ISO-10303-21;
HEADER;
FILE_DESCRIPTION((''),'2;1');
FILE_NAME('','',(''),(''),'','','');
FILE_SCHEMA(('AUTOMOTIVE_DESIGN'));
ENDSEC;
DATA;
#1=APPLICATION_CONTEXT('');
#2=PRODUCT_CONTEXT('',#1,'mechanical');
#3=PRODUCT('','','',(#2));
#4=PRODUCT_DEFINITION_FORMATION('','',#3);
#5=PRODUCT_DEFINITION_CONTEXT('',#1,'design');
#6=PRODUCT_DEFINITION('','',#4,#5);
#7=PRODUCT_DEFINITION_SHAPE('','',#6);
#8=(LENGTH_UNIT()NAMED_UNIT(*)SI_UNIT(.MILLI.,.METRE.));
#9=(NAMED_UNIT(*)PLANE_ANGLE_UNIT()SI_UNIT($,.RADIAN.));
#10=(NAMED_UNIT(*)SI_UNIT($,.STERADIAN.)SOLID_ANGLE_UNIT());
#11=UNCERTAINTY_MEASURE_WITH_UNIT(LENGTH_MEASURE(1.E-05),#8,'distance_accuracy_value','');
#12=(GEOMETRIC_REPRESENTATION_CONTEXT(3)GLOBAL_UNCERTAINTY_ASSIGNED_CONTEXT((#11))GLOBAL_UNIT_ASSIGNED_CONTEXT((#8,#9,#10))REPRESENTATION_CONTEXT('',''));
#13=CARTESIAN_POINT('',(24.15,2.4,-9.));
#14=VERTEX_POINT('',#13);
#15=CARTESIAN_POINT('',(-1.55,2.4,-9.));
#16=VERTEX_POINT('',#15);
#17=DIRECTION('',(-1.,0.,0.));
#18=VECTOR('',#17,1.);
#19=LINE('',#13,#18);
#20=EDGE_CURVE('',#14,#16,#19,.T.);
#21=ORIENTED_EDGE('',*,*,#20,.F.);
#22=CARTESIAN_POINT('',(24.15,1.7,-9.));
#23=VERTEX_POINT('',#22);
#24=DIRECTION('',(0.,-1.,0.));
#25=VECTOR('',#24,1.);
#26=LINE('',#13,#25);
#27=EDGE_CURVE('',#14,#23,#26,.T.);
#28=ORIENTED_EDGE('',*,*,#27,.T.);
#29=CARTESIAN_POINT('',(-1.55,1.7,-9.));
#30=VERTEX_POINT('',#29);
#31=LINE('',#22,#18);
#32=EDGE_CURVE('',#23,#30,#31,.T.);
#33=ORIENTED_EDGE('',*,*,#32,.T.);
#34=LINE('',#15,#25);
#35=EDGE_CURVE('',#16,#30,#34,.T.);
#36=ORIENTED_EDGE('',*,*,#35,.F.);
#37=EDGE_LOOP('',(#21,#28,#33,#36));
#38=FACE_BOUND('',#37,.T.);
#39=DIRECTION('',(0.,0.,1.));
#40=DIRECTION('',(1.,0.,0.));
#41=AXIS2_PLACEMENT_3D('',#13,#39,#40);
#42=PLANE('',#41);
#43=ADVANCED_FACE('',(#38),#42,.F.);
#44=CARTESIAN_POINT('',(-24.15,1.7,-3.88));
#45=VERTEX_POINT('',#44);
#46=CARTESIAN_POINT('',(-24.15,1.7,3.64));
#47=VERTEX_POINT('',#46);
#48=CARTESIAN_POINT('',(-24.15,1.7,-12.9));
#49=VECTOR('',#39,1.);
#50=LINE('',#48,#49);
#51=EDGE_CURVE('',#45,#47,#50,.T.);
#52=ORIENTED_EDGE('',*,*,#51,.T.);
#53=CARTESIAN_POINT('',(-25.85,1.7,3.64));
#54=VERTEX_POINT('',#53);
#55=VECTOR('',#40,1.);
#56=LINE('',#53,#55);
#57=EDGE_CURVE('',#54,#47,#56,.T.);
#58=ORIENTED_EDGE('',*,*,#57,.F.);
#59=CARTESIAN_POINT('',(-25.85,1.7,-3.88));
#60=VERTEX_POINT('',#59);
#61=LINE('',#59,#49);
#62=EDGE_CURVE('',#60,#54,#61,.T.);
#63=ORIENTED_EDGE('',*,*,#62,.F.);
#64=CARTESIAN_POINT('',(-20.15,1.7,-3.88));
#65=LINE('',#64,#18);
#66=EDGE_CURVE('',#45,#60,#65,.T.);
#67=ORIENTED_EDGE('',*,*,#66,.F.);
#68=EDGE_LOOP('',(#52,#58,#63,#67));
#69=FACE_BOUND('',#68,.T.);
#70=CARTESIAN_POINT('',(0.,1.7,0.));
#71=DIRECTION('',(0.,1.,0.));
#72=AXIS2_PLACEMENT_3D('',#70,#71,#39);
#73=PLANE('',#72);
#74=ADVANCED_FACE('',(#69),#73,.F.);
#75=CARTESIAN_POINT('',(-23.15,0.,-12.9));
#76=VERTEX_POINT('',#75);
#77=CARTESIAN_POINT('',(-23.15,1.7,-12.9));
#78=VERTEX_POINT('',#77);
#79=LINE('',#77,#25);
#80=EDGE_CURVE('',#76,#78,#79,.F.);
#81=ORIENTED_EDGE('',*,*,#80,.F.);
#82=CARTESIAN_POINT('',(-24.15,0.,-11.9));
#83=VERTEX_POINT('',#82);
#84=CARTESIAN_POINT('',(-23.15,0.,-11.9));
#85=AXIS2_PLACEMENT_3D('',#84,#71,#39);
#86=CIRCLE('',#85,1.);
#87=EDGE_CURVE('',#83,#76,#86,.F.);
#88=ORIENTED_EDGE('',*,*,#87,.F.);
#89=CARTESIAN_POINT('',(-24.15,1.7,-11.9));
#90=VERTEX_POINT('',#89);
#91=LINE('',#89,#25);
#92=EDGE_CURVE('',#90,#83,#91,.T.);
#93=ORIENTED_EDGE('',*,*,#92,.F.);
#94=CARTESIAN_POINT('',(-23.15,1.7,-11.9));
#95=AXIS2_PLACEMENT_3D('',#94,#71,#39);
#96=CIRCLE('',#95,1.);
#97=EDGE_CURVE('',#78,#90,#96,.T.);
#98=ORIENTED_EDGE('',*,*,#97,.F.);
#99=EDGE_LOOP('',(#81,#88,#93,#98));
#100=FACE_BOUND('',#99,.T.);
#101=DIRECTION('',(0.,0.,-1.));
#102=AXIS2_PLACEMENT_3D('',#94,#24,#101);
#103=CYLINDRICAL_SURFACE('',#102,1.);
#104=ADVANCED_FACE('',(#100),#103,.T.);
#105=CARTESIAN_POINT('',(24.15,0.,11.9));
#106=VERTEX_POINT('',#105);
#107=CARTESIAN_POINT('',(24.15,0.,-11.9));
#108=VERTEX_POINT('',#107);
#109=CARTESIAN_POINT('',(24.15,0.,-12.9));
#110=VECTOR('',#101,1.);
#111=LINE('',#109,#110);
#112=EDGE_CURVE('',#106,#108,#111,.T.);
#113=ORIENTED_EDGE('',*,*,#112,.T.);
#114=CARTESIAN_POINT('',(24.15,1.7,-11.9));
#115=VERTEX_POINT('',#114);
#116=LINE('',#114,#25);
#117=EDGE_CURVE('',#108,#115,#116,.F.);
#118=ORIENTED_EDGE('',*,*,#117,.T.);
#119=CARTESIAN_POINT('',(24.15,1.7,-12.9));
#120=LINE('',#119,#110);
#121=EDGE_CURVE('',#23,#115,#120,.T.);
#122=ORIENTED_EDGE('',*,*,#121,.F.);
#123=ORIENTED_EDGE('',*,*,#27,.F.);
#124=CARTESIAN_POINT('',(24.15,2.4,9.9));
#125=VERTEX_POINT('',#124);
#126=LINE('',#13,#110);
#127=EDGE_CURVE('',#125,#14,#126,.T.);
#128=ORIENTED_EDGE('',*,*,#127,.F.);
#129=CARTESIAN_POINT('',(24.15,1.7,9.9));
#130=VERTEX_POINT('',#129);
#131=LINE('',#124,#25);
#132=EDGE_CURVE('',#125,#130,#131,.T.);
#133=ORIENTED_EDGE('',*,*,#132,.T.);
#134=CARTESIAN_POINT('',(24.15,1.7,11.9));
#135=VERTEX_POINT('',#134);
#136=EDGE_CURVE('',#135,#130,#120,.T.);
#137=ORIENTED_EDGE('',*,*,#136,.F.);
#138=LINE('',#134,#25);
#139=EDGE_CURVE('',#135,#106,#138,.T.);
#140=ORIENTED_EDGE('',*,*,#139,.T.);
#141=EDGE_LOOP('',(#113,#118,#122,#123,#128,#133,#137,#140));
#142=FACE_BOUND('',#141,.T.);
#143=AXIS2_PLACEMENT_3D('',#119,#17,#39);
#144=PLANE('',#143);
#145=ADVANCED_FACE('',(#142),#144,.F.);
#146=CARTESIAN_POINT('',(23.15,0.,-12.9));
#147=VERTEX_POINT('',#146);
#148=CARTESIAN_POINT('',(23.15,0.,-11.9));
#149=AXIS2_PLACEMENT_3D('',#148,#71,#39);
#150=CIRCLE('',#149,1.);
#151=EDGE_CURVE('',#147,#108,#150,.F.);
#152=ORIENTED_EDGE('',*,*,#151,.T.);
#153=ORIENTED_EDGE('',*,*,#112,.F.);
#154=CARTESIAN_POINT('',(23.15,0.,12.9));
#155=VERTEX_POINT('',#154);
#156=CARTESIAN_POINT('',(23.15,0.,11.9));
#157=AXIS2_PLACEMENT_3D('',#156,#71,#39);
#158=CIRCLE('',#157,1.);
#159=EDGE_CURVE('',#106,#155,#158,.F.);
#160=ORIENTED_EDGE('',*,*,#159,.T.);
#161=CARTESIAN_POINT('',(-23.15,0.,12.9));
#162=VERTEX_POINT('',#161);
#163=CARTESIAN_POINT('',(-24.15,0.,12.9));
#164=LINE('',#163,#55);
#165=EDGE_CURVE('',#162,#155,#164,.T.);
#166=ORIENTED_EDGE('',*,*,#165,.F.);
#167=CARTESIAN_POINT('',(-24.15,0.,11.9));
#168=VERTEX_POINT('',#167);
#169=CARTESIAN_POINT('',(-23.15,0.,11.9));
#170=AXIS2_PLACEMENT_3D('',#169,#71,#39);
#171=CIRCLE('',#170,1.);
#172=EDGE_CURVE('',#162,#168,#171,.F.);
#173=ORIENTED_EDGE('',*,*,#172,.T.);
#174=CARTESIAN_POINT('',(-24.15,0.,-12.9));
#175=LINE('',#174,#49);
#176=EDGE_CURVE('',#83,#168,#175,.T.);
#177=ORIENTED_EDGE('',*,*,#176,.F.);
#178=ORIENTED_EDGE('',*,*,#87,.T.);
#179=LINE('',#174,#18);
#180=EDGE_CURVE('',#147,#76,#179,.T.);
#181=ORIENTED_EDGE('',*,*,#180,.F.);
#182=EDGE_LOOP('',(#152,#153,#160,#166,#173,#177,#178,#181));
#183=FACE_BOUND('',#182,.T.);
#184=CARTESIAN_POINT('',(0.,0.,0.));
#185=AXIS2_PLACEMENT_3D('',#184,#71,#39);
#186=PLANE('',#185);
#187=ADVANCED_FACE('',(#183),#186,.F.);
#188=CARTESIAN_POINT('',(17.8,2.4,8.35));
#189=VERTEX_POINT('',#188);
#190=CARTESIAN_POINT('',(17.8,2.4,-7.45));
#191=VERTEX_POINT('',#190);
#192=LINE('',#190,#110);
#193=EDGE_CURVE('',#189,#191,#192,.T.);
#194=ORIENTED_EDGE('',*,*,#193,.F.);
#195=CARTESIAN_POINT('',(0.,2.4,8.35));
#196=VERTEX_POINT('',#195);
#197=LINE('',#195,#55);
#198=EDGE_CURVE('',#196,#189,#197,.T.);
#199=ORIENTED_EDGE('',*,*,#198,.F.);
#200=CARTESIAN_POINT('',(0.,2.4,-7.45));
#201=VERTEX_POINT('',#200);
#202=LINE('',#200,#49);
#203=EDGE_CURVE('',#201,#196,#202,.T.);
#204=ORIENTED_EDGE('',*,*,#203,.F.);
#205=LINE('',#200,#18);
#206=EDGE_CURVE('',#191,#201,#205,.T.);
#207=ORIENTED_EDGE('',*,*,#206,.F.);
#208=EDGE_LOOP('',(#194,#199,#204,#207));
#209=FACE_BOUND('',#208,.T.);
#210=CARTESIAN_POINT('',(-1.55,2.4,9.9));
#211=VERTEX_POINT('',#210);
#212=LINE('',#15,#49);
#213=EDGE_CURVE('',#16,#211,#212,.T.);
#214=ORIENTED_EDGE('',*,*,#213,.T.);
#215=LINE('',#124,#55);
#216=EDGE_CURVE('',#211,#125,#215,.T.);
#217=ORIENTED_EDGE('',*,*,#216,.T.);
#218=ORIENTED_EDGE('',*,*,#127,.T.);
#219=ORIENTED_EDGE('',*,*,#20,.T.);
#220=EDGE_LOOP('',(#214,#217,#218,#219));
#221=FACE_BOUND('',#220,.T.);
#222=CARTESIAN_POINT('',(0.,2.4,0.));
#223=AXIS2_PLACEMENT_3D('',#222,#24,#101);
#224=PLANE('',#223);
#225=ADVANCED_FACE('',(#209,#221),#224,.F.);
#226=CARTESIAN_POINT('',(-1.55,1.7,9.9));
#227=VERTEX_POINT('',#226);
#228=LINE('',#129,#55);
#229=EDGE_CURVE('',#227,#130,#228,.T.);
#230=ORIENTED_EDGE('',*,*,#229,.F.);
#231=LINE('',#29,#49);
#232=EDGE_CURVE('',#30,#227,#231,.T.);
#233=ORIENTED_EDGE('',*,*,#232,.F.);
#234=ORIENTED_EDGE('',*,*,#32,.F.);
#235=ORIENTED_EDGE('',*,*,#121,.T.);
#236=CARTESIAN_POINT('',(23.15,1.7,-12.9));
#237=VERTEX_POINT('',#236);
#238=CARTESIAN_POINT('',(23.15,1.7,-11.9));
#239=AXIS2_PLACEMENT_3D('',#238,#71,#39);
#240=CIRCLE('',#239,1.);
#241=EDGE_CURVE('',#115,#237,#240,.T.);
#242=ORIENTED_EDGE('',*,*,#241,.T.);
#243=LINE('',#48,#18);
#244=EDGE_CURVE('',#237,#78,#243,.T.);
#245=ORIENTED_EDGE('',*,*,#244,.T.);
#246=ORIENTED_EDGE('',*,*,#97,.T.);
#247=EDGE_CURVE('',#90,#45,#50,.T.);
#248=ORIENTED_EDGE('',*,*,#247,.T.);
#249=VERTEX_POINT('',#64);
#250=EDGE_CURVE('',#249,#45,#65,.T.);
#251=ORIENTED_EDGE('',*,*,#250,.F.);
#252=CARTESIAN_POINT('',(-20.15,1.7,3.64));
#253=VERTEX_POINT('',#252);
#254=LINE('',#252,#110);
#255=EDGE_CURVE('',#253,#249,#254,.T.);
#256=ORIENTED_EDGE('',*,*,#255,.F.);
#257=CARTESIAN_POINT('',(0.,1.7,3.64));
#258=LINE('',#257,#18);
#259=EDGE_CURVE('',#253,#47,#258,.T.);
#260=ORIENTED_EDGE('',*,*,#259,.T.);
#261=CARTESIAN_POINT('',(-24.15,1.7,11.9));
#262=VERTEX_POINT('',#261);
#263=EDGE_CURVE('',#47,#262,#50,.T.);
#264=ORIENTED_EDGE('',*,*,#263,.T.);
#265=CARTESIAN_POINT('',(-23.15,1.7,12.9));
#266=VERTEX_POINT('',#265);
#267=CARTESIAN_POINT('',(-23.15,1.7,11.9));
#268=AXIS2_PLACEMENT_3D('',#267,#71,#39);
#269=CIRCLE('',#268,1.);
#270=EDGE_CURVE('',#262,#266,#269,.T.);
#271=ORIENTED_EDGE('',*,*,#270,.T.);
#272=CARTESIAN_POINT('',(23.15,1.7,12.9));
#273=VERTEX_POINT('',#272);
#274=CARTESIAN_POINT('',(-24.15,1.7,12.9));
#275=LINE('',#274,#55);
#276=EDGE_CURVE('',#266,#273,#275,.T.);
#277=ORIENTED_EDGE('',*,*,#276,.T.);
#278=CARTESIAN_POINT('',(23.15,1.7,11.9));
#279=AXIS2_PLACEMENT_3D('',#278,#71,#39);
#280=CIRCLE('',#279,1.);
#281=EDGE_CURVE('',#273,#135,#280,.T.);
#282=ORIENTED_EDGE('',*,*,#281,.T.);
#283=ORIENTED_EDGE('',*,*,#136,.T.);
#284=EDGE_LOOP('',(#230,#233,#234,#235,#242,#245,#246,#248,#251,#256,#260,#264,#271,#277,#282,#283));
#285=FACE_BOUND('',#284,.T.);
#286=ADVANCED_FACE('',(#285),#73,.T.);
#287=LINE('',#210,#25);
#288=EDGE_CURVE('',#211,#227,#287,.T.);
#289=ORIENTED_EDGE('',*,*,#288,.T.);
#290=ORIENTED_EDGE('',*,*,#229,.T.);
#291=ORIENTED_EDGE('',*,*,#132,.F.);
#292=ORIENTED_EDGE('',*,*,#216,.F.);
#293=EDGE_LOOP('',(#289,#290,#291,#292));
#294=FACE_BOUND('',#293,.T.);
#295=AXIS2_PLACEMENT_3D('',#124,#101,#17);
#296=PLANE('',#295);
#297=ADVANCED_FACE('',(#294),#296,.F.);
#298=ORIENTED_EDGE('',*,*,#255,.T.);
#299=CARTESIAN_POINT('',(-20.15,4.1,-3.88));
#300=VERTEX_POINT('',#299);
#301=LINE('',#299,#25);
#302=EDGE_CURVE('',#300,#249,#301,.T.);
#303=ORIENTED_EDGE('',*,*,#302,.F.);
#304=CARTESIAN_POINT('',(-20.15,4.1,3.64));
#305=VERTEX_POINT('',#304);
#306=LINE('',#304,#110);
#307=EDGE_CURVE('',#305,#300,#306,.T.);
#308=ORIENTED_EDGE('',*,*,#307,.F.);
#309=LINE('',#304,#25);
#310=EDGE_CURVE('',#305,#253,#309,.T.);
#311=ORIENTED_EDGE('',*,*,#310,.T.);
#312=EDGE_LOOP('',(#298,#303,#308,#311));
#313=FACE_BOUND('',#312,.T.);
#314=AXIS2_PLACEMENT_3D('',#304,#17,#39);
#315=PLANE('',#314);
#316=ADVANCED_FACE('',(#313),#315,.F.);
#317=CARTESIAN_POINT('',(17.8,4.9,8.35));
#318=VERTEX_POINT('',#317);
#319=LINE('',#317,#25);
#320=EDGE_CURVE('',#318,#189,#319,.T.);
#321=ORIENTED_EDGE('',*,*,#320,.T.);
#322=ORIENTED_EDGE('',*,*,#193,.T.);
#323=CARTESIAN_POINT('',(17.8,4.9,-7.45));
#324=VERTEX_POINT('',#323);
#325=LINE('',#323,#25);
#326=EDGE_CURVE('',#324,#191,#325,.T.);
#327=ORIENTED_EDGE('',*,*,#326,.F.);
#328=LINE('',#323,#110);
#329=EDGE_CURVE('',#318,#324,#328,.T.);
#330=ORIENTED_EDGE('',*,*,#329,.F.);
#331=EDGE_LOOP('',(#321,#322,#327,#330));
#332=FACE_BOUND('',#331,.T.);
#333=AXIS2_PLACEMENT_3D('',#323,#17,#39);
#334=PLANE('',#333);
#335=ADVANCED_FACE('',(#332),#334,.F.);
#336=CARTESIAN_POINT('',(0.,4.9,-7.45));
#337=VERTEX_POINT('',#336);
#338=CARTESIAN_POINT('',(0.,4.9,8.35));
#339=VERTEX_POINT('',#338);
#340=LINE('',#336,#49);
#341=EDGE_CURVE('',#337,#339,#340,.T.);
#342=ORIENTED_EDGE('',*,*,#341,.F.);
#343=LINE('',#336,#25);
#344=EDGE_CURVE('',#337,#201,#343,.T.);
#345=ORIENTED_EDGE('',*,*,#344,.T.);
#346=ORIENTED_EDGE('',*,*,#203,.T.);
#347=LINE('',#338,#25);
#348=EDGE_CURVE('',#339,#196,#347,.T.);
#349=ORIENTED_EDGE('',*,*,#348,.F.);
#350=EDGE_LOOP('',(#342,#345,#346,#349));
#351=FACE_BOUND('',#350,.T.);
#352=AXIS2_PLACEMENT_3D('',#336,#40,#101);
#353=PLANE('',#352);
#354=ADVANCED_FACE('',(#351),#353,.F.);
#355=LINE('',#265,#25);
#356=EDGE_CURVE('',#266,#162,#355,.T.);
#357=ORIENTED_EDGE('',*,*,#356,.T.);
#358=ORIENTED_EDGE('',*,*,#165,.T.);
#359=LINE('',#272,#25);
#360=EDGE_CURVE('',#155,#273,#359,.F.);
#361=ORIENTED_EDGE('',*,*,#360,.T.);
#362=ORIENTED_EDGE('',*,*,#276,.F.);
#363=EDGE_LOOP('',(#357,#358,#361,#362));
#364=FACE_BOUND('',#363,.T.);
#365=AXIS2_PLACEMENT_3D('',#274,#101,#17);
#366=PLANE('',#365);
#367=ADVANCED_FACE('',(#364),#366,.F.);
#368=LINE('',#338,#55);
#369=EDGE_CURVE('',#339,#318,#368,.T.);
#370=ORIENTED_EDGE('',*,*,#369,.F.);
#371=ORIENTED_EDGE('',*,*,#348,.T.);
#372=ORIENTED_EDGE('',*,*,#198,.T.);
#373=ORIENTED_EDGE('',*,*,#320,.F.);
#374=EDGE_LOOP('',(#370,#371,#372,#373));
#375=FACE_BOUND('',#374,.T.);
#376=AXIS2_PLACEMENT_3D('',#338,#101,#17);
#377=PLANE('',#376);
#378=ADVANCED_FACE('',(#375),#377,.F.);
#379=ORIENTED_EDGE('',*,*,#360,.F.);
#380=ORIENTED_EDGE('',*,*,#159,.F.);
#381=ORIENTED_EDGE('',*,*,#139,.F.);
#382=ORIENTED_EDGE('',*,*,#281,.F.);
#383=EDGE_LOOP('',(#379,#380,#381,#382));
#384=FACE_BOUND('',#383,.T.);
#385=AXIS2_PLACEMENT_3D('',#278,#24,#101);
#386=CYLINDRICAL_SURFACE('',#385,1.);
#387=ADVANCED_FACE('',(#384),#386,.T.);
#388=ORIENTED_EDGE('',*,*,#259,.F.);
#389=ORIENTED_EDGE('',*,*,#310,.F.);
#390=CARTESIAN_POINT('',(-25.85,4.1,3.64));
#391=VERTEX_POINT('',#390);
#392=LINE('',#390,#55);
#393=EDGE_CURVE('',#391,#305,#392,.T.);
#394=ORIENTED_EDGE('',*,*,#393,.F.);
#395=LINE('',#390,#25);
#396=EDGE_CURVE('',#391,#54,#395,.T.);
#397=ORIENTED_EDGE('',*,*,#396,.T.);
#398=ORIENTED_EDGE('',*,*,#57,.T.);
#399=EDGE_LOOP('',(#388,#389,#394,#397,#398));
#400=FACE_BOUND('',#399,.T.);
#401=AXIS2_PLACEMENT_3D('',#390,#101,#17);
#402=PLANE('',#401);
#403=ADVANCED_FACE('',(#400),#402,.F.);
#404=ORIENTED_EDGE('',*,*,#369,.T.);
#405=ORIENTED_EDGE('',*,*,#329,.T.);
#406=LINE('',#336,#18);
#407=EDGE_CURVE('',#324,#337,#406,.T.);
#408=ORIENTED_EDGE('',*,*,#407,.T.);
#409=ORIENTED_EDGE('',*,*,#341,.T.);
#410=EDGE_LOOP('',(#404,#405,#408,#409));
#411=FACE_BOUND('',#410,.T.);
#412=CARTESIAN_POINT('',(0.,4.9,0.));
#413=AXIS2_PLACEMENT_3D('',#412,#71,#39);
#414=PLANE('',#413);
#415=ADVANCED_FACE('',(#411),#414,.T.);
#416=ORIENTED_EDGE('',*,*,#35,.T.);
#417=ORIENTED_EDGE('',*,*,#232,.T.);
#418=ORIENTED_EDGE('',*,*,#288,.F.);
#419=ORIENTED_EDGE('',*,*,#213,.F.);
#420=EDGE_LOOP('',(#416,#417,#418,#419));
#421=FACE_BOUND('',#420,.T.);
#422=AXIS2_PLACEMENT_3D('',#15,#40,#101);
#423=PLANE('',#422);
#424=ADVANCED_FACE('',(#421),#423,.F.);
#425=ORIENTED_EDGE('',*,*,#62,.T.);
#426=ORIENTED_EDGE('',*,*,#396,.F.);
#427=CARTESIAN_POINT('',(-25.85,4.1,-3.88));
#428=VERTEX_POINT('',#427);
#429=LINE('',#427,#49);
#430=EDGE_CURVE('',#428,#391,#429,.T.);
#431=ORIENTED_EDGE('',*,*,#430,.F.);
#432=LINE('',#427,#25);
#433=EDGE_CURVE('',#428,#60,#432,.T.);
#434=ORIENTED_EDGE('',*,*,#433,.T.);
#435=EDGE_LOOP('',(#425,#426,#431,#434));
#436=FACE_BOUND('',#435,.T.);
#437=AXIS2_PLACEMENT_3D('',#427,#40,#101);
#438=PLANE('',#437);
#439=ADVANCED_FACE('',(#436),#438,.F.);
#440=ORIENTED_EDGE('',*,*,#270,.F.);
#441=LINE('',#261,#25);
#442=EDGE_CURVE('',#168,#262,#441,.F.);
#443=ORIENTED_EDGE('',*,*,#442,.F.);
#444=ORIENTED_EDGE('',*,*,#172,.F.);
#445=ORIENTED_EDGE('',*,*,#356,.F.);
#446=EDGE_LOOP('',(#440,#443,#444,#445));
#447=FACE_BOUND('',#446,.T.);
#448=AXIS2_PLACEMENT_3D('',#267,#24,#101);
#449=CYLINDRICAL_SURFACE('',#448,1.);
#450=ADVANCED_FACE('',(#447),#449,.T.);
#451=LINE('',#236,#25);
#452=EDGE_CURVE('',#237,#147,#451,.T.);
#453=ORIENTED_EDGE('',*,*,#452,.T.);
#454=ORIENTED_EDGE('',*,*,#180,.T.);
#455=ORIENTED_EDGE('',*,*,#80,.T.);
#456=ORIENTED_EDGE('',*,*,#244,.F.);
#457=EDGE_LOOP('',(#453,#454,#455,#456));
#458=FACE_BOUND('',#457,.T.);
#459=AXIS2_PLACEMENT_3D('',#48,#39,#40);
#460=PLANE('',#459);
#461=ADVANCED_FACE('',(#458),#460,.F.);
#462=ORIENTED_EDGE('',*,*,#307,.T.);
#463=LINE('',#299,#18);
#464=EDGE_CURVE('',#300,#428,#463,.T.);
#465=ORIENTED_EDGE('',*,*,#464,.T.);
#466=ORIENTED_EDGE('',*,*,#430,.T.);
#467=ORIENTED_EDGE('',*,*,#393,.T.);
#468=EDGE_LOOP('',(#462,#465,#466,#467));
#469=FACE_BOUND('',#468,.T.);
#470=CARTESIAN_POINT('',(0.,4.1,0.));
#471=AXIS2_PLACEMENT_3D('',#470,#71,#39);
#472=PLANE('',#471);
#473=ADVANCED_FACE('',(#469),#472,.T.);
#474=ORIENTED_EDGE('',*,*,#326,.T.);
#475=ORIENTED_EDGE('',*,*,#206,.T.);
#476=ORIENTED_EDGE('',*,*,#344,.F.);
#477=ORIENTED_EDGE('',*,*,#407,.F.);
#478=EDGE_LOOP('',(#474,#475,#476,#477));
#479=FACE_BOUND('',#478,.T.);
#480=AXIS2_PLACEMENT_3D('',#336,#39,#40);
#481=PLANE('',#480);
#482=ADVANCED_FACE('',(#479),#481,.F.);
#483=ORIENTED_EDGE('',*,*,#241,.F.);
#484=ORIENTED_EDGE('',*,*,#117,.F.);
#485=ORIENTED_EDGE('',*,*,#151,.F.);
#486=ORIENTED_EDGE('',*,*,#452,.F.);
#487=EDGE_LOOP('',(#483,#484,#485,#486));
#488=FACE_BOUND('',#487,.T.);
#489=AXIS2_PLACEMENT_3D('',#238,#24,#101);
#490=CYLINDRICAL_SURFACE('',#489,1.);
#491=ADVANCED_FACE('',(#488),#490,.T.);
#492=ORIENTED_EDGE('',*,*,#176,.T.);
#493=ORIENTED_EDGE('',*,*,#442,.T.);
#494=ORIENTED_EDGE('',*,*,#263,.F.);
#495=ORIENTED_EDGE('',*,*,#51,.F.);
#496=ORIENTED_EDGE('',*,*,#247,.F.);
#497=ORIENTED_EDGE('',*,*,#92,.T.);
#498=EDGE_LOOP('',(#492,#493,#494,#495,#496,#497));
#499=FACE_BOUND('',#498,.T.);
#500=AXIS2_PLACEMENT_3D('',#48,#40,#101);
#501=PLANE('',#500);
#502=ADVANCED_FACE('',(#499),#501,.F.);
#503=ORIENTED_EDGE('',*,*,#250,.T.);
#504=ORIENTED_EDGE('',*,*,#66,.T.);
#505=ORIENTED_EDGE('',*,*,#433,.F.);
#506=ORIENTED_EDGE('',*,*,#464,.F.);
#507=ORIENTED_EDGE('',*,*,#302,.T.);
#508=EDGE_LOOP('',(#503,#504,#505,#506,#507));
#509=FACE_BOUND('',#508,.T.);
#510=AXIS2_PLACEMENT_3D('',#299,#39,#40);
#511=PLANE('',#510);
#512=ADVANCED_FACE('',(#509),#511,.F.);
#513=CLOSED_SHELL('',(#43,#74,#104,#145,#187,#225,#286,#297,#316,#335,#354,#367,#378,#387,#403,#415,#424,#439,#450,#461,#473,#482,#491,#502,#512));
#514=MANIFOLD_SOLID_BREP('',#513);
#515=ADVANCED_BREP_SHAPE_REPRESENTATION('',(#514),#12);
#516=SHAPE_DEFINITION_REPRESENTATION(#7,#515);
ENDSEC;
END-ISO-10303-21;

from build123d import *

# Parameters (mm, degrees)
CROQUIS1_W              = 48.3
CROQUIS1_H              = 25.8
SALIENTE_EXTRUIR1_DEPTH = 1.7
CROQUIS2_W              = 25.7
CROQUIS2_H              = 18.9
SALIENTE_EXTRUIR2_DEPTH = 0.7
CROQUIS3_W              = 17.8
CROQUIS3_H              = 15.8
SALIENTE_EXTRUIR3_DEPTH = 2.5
CROQUIS4_W              = 5.7
CROQUIS4_H              = 7.52
SALIENTE_EXTRUIR4_DEPTH = 2.4
REDONDEO1_R             = 1


with BuildPart() as part:
    # Croquis1 → Saliente-Extruir1 (new body)
    with BuildSketch(Plane(origin=(0, 0, 0), x_dir=(1, 0, 0), z_dir=(0, 1, 0))):
        Rectangle(CROQUIS1_W, CROQUIS1_H)
    extrude(amount=SALIENTE_EXTRUIR1_DEPTH)

    # Croquis2 → Saliente-Extruir2 (add)
    with BuildSketch(Plane(origin=(0, 1.7, 0), x_dir=(1, 0, 0), z_dir=(0, 1, 0))):
        with Locations((11.3, -0.45)):
            Rectangle(CROQUIS2_W, CROQUIS2_H)
    extrude(amount=SALIENTE_EXTRUIR2_DEPTH)

    # Croquis3 → Saliente-Extruir3 (add)
    with BuildSketch(Plane(origin=(0, 2.4, 0), x_dir=(1, 0, 0), z_dir=(0, 1, 0))):
        with Locations((8.9, -0.45)):
            Rectangle(CROQUIS3_W, CROQUIS3_H)
    extrude(amount=SALIENTE_EXTRUIR3_DEPTH)

    # Croquis4 → Saliente-Extruir4 (add)
    with BuildSketch(Plane(origin=(0, 1.7, 0), x_dir=(1, 0, 0), z_dir=(0, 1, 0))):
        with Locations((-23, 0.12)):
            Rectangle(CROQUIS4_W, CROQUIS4_H)
    extrude(amount=SALIENTE_EXTRUIR4_DEPTH)

    # Redondeo1
    redondeo1_edges = [part.edges().sort_by_distance(p)[0] for p in [
        (24.15, 0.85, 12.9),
        (-24.15, 0.85, 12.9),
        (-24.15, 0.85, -12.9),
        (24.15, 0.85, -12.9),
    ]]
    fillet(redondeo1_edges, radius=REDONDEO1_R)


solid = part.part
